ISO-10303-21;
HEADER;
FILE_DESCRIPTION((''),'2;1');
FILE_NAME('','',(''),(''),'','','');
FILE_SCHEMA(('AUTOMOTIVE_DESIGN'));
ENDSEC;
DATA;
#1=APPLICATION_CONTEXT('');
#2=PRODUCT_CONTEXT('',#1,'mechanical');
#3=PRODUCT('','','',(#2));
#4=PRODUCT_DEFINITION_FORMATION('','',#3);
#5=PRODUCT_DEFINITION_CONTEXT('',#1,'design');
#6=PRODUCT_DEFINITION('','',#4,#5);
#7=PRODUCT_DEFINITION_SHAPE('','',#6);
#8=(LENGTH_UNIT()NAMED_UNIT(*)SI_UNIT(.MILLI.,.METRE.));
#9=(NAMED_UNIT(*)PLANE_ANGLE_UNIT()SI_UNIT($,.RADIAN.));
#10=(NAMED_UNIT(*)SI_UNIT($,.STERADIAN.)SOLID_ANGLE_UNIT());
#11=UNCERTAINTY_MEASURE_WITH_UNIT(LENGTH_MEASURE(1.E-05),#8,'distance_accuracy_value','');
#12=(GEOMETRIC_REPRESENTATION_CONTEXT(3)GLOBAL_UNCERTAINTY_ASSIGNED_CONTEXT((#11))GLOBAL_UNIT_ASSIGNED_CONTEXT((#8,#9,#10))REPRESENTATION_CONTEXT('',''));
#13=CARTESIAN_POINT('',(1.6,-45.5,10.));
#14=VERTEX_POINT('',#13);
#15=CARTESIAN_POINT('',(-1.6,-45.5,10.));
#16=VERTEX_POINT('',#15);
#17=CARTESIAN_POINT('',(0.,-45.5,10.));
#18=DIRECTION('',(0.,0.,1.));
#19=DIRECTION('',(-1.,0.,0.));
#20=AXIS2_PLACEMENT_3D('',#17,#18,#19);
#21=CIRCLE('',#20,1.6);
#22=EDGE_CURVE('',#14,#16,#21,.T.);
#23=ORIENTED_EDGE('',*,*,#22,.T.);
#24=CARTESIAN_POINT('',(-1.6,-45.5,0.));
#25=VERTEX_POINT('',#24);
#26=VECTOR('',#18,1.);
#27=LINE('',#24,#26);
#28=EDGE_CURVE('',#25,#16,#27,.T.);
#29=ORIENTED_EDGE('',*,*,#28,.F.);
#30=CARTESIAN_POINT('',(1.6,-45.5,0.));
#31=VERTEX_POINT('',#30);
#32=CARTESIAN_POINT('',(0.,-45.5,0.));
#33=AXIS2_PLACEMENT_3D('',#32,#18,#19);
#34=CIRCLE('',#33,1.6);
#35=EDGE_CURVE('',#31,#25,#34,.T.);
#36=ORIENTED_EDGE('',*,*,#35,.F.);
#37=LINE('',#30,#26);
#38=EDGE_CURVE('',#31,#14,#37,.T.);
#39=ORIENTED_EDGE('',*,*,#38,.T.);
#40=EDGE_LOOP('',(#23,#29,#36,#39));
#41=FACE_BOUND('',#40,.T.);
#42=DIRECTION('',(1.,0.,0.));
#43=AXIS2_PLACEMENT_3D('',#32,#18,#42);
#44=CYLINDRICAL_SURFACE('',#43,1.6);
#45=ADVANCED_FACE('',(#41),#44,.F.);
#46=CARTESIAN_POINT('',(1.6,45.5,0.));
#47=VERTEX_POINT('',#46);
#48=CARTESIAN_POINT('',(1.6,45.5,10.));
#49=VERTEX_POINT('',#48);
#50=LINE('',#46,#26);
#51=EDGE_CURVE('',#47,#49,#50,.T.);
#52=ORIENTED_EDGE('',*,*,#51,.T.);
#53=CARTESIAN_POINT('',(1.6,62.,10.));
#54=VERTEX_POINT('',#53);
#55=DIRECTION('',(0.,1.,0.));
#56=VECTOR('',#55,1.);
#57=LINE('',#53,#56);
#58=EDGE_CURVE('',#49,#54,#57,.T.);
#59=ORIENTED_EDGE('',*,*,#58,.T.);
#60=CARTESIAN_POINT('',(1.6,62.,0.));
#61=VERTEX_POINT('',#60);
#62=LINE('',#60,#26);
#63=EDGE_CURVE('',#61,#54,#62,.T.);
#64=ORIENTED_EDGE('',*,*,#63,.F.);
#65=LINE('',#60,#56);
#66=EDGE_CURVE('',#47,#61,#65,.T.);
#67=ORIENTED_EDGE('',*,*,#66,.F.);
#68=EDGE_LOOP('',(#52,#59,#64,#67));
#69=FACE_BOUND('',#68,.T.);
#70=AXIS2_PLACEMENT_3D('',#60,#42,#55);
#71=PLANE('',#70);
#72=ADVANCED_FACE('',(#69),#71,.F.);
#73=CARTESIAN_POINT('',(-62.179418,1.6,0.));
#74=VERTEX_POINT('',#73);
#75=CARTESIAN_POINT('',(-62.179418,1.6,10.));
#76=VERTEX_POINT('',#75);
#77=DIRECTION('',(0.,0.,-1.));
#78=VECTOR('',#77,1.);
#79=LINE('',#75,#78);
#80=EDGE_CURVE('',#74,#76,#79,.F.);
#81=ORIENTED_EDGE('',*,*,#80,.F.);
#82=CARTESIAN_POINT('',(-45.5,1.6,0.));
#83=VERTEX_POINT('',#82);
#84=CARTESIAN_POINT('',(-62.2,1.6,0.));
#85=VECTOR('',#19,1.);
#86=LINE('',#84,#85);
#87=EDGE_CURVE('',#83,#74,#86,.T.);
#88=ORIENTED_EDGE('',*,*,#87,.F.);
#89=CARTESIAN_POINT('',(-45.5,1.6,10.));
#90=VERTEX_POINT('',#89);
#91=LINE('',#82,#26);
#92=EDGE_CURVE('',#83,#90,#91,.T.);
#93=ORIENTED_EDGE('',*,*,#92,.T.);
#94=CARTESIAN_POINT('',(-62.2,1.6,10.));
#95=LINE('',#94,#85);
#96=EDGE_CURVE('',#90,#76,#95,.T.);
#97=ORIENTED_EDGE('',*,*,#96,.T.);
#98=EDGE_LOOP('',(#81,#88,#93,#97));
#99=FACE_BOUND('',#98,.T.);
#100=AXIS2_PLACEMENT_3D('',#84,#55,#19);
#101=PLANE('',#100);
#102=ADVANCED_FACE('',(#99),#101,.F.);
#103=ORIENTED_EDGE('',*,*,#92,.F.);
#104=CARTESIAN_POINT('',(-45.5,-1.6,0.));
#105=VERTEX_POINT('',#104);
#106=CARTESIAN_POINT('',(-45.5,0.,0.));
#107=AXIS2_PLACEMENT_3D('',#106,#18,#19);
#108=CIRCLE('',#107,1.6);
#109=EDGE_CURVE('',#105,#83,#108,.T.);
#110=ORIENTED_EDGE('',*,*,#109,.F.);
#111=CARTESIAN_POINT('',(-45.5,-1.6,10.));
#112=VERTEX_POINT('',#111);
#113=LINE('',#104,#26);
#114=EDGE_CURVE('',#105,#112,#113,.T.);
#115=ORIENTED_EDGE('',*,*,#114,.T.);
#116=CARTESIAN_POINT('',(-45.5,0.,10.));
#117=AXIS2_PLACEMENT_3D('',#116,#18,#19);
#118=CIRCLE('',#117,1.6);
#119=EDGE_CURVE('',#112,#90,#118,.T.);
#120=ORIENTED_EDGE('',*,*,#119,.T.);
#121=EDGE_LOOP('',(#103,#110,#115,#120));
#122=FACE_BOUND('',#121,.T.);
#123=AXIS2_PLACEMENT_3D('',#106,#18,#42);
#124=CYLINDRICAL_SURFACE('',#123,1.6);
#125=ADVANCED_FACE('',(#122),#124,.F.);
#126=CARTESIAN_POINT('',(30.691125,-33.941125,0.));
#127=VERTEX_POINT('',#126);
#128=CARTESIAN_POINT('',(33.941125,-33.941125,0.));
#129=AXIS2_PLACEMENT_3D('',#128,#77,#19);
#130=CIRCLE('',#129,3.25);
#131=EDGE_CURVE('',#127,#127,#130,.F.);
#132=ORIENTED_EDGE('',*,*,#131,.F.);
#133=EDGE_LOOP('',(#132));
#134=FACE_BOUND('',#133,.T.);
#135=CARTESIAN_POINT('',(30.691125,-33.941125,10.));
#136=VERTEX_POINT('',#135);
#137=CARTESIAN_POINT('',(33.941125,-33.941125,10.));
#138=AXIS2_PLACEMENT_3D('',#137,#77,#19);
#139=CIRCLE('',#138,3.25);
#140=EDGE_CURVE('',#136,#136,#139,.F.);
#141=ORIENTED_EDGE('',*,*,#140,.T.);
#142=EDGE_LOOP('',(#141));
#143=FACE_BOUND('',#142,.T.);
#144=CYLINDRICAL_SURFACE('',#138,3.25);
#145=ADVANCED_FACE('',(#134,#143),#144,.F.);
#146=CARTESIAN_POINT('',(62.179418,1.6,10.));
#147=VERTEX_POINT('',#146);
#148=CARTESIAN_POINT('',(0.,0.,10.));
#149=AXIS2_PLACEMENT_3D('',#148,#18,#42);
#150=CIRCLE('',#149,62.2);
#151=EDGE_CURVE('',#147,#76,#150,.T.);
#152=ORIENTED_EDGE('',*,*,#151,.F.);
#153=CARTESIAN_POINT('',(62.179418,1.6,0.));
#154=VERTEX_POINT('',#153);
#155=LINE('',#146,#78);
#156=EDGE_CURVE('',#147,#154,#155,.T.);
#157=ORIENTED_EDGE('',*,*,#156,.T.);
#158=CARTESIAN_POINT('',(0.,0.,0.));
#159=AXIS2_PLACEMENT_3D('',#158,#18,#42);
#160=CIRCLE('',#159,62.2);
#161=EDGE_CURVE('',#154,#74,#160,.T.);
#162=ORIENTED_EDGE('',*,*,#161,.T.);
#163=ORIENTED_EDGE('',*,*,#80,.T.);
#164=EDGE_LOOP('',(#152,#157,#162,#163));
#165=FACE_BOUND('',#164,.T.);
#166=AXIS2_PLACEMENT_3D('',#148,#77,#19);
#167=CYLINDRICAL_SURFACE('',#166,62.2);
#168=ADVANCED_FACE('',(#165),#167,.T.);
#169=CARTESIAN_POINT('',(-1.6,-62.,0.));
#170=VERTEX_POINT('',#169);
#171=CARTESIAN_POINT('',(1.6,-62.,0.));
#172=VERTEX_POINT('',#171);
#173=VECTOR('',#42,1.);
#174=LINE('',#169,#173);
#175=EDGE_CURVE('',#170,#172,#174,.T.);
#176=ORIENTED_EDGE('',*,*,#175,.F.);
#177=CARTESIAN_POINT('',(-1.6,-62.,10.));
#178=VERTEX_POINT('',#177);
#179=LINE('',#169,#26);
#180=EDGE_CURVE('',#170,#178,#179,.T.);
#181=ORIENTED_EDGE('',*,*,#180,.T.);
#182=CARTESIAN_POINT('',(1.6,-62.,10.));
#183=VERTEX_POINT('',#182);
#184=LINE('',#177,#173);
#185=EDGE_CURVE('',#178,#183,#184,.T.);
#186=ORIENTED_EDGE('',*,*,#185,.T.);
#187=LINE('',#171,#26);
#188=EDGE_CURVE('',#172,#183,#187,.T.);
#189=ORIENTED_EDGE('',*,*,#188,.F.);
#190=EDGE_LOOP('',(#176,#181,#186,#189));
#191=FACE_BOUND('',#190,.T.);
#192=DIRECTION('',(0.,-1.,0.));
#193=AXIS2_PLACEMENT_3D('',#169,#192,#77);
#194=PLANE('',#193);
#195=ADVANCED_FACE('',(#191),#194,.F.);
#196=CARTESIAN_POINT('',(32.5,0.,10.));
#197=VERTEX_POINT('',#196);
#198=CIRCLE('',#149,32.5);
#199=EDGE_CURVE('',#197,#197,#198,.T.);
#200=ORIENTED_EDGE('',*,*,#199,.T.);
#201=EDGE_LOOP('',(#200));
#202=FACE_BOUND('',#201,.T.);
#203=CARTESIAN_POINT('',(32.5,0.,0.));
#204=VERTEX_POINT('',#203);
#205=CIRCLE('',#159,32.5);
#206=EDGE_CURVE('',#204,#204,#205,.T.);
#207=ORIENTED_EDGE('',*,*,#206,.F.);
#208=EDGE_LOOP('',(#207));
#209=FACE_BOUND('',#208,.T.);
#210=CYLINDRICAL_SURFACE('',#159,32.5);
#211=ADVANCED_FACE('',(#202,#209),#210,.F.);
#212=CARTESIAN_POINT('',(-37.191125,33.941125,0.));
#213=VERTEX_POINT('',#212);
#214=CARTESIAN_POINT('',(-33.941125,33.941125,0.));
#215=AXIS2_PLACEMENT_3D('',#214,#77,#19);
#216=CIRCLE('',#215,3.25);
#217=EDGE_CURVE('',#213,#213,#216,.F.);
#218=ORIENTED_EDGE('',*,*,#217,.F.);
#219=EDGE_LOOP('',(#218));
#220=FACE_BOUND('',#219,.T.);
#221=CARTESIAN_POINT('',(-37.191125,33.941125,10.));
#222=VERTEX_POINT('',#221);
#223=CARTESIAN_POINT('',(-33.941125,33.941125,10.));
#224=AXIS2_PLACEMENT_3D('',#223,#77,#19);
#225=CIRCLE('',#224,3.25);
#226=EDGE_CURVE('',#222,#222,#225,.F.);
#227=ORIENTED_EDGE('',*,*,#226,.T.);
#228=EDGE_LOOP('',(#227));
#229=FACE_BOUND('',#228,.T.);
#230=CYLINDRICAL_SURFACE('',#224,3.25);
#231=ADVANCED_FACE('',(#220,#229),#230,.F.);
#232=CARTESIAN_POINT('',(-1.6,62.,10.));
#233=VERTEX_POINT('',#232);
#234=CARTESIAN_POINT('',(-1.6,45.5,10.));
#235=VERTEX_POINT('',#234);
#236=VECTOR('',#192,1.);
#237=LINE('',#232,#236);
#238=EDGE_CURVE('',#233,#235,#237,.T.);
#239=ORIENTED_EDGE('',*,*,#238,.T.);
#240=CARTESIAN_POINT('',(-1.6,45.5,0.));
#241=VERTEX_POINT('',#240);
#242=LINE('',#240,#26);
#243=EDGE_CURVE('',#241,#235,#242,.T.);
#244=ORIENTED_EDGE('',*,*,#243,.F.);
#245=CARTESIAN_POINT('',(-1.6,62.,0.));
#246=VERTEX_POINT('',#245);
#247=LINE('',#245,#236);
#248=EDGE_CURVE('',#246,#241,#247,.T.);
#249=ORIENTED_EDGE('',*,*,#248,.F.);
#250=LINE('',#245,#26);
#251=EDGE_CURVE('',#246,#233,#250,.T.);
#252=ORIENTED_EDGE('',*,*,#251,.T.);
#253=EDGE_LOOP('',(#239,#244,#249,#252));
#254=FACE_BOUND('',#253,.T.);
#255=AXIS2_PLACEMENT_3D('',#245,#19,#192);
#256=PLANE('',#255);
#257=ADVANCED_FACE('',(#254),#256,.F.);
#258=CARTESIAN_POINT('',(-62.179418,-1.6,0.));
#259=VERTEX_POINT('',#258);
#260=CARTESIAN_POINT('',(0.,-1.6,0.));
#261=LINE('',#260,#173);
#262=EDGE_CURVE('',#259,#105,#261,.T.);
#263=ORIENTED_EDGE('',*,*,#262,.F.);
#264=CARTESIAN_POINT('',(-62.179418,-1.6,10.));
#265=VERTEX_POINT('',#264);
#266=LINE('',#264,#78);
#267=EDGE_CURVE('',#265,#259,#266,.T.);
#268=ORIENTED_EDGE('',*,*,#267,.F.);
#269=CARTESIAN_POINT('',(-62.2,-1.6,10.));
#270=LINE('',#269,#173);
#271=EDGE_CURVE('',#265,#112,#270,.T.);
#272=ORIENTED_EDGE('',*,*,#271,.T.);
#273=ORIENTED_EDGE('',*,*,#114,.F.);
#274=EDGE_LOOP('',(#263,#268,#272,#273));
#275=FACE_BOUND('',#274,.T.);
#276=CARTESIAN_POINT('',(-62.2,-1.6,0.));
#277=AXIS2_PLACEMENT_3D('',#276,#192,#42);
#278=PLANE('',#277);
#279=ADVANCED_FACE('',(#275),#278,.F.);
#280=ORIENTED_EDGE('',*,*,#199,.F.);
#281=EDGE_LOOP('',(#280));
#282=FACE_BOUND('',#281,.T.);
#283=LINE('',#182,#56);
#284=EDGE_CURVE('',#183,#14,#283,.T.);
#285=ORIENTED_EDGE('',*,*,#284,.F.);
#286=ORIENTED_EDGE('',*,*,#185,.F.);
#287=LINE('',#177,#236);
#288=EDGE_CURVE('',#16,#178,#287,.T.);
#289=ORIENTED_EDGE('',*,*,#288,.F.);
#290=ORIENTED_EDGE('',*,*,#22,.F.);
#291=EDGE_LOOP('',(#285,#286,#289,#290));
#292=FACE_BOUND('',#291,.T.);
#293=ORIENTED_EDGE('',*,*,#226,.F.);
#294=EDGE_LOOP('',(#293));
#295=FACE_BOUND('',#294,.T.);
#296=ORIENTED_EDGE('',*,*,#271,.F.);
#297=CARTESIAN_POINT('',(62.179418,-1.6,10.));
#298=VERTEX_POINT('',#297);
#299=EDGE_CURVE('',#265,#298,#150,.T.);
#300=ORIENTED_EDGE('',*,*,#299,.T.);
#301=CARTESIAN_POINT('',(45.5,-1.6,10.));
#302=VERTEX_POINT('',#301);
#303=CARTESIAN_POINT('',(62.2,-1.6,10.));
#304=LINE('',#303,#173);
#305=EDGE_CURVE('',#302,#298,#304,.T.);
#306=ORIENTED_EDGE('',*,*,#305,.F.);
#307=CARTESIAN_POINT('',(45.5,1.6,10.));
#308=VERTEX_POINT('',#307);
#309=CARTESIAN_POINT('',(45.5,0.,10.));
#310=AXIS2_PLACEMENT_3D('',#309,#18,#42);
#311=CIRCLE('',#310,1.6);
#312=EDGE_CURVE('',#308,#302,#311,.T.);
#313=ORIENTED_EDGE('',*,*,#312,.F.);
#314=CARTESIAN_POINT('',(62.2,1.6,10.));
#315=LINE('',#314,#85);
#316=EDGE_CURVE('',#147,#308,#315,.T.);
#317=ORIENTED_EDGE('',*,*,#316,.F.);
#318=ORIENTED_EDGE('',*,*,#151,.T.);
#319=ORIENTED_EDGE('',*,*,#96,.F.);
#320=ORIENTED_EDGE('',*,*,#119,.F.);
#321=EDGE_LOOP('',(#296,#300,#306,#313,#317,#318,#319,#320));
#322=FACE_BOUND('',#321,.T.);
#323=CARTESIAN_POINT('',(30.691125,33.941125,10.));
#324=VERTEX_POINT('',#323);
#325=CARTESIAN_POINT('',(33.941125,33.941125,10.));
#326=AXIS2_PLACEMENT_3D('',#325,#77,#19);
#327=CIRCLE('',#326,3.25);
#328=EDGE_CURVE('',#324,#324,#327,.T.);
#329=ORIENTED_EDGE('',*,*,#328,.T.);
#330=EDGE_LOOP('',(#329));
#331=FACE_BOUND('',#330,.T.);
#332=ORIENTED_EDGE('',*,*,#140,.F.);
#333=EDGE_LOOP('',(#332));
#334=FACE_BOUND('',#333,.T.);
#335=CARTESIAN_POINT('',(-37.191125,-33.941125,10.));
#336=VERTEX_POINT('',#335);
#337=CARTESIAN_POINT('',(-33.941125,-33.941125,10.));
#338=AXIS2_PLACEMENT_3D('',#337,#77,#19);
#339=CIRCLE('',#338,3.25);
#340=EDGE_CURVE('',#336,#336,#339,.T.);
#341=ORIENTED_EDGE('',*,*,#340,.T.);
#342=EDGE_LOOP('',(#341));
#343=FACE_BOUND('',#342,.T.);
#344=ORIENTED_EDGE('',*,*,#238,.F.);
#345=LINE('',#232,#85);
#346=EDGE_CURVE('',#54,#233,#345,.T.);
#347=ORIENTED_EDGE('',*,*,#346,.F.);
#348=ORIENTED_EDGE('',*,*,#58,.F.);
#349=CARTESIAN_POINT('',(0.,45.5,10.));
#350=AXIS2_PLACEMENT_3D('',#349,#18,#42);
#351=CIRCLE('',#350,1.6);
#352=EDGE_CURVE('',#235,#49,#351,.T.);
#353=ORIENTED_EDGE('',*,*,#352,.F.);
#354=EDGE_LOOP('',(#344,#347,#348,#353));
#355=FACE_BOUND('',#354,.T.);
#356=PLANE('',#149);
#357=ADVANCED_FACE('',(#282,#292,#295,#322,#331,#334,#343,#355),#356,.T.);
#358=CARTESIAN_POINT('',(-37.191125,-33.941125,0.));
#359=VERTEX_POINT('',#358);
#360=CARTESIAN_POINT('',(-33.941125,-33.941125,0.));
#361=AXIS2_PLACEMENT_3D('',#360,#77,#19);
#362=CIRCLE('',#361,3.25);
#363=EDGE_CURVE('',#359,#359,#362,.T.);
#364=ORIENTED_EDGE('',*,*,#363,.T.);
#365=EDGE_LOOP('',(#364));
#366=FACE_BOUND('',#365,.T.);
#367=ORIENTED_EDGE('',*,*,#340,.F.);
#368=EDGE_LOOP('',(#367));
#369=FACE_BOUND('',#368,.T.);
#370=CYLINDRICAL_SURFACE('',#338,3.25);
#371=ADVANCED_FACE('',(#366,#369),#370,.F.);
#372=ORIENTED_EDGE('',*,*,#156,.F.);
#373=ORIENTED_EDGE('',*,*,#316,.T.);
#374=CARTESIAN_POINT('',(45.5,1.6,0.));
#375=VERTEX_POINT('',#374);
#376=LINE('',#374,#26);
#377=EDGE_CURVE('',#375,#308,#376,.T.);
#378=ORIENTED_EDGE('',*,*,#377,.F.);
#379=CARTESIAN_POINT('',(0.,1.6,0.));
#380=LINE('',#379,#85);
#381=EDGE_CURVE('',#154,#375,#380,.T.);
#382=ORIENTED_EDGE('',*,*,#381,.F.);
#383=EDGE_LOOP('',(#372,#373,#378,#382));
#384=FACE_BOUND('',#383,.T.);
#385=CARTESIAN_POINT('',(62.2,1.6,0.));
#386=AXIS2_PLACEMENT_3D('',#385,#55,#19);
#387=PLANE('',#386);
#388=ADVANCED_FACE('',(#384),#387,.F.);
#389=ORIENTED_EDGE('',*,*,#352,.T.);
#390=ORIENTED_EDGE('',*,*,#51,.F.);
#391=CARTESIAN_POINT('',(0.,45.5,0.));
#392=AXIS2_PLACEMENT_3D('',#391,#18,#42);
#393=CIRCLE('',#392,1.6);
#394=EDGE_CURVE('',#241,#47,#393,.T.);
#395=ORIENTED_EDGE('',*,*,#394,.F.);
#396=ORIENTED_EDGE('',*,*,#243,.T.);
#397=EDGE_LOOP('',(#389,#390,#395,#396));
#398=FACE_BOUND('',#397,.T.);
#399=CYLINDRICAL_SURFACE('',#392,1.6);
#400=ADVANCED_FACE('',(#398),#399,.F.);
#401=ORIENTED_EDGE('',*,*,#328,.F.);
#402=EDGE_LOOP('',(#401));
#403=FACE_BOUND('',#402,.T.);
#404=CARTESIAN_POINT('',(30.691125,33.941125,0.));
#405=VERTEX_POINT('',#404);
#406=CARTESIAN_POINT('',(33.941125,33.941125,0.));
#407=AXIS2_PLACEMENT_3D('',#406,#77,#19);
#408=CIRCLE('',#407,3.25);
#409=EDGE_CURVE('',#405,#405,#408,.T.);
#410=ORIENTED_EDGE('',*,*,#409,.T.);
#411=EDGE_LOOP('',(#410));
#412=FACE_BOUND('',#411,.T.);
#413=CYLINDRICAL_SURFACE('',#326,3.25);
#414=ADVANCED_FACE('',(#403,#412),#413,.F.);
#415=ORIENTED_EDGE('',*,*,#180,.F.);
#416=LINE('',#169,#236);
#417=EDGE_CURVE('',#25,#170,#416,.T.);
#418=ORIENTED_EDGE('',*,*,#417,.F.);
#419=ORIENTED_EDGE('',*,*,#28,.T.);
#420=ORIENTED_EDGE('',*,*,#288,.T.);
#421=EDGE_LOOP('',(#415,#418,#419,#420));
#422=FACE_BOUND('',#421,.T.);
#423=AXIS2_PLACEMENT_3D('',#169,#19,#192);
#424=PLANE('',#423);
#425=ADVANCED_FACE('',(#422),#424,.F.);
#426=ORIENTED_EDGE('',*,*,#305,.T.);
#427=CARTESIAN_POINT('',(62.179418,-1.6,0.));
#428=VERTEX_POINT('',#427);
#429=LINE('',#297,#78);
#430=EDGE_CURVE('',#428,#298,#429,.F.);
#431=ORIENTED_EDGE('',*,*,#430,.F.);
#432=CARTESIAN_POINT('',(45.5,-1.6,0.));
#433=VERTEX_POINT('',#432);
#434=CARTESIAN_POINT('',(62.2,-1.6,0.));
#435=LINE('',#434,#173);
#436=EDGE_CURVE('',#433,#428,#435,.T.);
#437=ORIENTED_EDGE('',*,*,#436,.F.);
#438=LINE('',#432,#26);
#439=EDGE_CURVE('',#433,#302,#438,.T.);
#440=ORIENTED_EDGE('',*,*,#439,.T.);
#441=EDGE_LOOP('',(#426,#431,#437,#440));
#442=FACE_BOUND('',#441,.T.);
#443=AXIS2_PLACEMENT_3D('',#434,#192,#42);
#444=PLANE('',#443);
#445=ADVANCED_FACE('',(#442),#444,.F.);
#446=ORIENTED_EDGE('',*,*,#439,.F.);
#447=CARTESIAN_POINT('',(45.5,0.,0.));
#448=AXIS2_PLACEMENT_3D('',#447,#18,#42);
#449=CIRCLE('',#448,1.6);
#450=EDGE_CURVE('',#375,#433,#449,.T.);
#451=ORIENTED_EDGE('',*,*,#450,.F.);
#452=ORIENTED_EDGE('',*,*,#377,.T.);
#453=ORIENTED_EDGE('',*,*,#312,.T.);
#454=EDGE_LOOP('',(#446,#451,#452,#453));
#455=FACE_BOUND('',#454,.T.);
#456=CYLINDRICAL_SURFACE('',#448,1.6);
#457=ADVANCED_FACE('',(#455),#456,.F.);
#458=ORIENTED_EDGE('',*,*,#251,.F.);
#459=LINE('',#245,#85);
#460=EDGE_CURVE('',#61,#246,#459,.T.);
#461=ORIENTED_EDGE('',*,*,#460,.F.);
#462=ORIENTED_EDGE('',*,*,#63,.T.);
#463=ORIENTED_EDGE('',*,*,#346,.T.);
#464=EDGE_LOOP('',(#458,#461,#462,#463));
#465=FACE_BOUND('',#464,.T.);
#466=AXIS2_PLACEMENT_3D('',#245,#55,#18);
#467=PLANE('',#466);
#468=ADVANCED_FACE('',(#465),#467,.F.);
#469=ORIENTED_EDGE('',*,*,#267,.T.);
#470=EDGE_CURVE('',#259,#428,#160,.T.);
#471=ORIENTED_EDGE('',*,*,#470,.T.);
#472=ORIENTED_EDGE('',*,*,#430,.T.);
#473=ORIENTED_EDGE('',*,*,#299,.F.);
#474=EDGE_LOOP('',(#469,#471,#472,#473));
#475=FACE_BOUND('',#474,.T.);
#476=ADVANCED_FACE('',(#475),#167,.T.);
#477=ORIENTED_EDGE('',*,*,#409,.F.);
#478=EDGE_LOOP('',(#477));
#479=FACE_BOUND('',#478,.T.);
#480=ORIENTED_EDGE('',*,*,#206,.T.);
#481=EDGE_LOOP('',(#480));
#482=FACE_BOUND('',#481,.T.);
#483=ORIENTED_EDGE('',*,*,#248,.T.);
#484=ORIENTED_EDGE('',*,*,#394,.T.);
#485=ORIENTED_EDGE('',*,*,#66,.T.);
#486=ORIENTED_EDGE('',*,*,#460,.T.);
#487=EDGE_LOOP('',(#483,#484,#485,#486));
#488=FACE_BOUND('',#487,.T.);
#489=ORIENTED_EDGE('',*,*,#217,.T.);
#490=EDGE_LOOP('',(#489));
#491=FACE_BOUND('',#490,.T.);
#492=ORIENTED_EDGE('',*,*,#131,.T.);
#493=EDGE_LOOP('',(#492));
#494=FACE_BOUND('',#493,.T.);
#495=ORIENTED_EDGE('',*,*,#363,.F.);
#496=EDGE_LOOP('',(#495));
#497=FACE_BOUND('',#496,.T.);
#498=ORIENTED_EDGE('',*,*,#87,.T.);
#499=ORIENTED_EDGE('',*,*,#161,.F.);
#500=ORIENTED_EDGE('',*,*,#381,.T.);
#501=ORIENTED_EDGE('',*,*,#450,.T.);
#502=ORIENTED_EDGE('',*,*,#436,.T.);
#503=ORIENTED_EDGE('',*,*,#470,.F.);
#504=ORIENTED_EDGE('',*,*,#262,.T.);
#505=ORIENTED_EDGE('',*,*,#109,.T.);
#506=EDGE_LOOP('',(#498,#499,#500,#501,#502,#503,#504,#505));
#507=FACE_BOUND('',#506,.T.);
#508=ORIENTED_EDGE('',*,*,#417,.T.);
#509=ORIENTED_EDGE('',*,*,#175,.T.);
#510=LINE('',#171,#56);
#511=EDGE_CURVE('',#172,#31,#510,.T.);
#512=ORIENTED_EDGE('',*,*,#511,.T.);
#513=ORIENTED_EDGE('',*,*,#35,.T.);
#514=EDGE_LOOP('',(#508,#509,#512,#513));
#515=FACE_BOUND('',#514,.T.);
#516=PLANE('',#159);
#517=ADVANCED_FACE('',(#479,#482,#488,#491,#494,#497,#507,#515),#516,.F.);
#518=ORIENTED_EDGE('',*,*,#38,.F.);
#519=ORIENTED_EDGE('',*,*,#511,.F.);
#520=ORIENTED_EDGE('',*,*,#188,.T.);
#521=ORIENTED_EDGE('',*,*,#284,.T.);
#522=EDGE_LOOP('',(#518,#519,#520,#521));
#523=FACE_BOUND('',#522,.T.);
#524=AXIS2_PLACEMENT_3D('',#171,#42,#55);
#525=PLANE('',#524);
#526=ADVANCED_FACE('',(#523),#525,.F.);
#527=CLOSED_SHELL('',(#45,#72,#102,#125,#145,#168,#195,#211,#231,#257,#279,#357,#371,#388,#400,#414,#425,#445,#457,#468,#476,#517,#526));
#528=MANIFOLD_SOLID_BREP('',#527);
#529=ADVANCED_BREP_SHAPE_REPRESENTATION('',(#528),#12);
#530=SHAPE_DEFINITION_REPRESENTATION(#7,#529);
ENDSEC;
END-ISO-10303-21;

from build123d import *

# Parameters (mm, degrees)
IZIM1_R                     = 62.2
Y_KSEKLIK_EKSTR_ZYON1_DEPTH = 10
IZIM2_R                     = 32.5
KES_EKSTR_ZYON1_DEPTH       = 10
KES_EKSTR_ZYON2_DEPTH       = 10
IZIM5_R                     = 3.25
KES_EKSTR_ZYON3_DEPTH       = 10


with BuildPart() as part:
    # Çizim1 → Yükseklik-Ekstrüzyon1 (new body)
    with BuildSketch(Plane.XY):
        Circle(IZIM1_R)
    extrude(amount=Y_KSEKLIK_EKSTR_ZYON1_DEPTH)

    # Çizim2 → Kes-Ekstrüzyon1 (cut)
    with BuildSketch(Plane.XY.offset(10)):
        Circle(IZIM2_R)
    extrude(amount=-KES_EKSTR_ZYON1_DEPTH, mode=Mode.SUBTRACT)

    # Çizim4 → Kes-Ekstrüzyon2 (cut)
    with BuildSketch(Plane.XY.offset(10)):
        with BuildLine():
            Line((1.6, -62), (1.6, -45.5))
            ThreePointArc((1.6, -45.5), (0, -43.9), (-1.6, -45.5))
            Line((-1.6, -45.5), (-1.6, -62))
            Line((-1.6, -62), (1.6, -62))
        make_face()
        with BuildLine():
            Line((-1.6, 62), (-1.6, 45.5))
            ThreePointArc((-1.6, 45.5), (0, 43.9), (1.6, 45.5))
            Line((1.6, 45.5), (1.6, 62))
            Line((1.6, 62), (-1.6, 62))
        make_face()
        with BuildLine():
            Line((62.2, 1.6), (62.2, -1.6))
            Line((62.2, -1.6), (45.5, -1.6))
            ThreePointArc((45.5, -1.6), (43.9, 0), (45.5, 1.6))
            Line((45.5, 1.6), (62.2, 1.6))
        make_face()
        with BuildLine():
            Line((-62.2, -1.6), (-45.5, -1.6))
            ThreePointArc((-45.5, -1.6), (-43.9, 0), (-45.5, 1.6))
            Line((-45.5, 1.6), (-62.2, 1.6))
            Line((-62.2, 1.6), (-62.2, -1.6))
        make_face()
    extrude(amount=-KES_EKSTR_ZYON2_DEPTH, mode=Mode.SUBTRACT)

    # Çizim5 → Kes-Ekstrüzyon3 (cut)
    with BuildSketch(Plane(origin=(0, 0, 0), x_dir=(-1, 0, 0), z_dir=(0, 0, -1))):
        with Locations((-33.941125497, 33.941125497)):
            Circle(IZIM5_R)
        with Locations((33.941125497, 33.941125497)):
            Circle(IZIM5_R)
        with Locations((33.941125497, -33.941125497)):
            Circle(IZIM5_R)
        with Locations((-33.941125497, -33.941125497)):
            Circle(IZIM5_R)
    extrude(amount=-KES_EKSTR_ZYON3_DEPTH, mode=Mode.SUBTRACT)


solid = part.part
